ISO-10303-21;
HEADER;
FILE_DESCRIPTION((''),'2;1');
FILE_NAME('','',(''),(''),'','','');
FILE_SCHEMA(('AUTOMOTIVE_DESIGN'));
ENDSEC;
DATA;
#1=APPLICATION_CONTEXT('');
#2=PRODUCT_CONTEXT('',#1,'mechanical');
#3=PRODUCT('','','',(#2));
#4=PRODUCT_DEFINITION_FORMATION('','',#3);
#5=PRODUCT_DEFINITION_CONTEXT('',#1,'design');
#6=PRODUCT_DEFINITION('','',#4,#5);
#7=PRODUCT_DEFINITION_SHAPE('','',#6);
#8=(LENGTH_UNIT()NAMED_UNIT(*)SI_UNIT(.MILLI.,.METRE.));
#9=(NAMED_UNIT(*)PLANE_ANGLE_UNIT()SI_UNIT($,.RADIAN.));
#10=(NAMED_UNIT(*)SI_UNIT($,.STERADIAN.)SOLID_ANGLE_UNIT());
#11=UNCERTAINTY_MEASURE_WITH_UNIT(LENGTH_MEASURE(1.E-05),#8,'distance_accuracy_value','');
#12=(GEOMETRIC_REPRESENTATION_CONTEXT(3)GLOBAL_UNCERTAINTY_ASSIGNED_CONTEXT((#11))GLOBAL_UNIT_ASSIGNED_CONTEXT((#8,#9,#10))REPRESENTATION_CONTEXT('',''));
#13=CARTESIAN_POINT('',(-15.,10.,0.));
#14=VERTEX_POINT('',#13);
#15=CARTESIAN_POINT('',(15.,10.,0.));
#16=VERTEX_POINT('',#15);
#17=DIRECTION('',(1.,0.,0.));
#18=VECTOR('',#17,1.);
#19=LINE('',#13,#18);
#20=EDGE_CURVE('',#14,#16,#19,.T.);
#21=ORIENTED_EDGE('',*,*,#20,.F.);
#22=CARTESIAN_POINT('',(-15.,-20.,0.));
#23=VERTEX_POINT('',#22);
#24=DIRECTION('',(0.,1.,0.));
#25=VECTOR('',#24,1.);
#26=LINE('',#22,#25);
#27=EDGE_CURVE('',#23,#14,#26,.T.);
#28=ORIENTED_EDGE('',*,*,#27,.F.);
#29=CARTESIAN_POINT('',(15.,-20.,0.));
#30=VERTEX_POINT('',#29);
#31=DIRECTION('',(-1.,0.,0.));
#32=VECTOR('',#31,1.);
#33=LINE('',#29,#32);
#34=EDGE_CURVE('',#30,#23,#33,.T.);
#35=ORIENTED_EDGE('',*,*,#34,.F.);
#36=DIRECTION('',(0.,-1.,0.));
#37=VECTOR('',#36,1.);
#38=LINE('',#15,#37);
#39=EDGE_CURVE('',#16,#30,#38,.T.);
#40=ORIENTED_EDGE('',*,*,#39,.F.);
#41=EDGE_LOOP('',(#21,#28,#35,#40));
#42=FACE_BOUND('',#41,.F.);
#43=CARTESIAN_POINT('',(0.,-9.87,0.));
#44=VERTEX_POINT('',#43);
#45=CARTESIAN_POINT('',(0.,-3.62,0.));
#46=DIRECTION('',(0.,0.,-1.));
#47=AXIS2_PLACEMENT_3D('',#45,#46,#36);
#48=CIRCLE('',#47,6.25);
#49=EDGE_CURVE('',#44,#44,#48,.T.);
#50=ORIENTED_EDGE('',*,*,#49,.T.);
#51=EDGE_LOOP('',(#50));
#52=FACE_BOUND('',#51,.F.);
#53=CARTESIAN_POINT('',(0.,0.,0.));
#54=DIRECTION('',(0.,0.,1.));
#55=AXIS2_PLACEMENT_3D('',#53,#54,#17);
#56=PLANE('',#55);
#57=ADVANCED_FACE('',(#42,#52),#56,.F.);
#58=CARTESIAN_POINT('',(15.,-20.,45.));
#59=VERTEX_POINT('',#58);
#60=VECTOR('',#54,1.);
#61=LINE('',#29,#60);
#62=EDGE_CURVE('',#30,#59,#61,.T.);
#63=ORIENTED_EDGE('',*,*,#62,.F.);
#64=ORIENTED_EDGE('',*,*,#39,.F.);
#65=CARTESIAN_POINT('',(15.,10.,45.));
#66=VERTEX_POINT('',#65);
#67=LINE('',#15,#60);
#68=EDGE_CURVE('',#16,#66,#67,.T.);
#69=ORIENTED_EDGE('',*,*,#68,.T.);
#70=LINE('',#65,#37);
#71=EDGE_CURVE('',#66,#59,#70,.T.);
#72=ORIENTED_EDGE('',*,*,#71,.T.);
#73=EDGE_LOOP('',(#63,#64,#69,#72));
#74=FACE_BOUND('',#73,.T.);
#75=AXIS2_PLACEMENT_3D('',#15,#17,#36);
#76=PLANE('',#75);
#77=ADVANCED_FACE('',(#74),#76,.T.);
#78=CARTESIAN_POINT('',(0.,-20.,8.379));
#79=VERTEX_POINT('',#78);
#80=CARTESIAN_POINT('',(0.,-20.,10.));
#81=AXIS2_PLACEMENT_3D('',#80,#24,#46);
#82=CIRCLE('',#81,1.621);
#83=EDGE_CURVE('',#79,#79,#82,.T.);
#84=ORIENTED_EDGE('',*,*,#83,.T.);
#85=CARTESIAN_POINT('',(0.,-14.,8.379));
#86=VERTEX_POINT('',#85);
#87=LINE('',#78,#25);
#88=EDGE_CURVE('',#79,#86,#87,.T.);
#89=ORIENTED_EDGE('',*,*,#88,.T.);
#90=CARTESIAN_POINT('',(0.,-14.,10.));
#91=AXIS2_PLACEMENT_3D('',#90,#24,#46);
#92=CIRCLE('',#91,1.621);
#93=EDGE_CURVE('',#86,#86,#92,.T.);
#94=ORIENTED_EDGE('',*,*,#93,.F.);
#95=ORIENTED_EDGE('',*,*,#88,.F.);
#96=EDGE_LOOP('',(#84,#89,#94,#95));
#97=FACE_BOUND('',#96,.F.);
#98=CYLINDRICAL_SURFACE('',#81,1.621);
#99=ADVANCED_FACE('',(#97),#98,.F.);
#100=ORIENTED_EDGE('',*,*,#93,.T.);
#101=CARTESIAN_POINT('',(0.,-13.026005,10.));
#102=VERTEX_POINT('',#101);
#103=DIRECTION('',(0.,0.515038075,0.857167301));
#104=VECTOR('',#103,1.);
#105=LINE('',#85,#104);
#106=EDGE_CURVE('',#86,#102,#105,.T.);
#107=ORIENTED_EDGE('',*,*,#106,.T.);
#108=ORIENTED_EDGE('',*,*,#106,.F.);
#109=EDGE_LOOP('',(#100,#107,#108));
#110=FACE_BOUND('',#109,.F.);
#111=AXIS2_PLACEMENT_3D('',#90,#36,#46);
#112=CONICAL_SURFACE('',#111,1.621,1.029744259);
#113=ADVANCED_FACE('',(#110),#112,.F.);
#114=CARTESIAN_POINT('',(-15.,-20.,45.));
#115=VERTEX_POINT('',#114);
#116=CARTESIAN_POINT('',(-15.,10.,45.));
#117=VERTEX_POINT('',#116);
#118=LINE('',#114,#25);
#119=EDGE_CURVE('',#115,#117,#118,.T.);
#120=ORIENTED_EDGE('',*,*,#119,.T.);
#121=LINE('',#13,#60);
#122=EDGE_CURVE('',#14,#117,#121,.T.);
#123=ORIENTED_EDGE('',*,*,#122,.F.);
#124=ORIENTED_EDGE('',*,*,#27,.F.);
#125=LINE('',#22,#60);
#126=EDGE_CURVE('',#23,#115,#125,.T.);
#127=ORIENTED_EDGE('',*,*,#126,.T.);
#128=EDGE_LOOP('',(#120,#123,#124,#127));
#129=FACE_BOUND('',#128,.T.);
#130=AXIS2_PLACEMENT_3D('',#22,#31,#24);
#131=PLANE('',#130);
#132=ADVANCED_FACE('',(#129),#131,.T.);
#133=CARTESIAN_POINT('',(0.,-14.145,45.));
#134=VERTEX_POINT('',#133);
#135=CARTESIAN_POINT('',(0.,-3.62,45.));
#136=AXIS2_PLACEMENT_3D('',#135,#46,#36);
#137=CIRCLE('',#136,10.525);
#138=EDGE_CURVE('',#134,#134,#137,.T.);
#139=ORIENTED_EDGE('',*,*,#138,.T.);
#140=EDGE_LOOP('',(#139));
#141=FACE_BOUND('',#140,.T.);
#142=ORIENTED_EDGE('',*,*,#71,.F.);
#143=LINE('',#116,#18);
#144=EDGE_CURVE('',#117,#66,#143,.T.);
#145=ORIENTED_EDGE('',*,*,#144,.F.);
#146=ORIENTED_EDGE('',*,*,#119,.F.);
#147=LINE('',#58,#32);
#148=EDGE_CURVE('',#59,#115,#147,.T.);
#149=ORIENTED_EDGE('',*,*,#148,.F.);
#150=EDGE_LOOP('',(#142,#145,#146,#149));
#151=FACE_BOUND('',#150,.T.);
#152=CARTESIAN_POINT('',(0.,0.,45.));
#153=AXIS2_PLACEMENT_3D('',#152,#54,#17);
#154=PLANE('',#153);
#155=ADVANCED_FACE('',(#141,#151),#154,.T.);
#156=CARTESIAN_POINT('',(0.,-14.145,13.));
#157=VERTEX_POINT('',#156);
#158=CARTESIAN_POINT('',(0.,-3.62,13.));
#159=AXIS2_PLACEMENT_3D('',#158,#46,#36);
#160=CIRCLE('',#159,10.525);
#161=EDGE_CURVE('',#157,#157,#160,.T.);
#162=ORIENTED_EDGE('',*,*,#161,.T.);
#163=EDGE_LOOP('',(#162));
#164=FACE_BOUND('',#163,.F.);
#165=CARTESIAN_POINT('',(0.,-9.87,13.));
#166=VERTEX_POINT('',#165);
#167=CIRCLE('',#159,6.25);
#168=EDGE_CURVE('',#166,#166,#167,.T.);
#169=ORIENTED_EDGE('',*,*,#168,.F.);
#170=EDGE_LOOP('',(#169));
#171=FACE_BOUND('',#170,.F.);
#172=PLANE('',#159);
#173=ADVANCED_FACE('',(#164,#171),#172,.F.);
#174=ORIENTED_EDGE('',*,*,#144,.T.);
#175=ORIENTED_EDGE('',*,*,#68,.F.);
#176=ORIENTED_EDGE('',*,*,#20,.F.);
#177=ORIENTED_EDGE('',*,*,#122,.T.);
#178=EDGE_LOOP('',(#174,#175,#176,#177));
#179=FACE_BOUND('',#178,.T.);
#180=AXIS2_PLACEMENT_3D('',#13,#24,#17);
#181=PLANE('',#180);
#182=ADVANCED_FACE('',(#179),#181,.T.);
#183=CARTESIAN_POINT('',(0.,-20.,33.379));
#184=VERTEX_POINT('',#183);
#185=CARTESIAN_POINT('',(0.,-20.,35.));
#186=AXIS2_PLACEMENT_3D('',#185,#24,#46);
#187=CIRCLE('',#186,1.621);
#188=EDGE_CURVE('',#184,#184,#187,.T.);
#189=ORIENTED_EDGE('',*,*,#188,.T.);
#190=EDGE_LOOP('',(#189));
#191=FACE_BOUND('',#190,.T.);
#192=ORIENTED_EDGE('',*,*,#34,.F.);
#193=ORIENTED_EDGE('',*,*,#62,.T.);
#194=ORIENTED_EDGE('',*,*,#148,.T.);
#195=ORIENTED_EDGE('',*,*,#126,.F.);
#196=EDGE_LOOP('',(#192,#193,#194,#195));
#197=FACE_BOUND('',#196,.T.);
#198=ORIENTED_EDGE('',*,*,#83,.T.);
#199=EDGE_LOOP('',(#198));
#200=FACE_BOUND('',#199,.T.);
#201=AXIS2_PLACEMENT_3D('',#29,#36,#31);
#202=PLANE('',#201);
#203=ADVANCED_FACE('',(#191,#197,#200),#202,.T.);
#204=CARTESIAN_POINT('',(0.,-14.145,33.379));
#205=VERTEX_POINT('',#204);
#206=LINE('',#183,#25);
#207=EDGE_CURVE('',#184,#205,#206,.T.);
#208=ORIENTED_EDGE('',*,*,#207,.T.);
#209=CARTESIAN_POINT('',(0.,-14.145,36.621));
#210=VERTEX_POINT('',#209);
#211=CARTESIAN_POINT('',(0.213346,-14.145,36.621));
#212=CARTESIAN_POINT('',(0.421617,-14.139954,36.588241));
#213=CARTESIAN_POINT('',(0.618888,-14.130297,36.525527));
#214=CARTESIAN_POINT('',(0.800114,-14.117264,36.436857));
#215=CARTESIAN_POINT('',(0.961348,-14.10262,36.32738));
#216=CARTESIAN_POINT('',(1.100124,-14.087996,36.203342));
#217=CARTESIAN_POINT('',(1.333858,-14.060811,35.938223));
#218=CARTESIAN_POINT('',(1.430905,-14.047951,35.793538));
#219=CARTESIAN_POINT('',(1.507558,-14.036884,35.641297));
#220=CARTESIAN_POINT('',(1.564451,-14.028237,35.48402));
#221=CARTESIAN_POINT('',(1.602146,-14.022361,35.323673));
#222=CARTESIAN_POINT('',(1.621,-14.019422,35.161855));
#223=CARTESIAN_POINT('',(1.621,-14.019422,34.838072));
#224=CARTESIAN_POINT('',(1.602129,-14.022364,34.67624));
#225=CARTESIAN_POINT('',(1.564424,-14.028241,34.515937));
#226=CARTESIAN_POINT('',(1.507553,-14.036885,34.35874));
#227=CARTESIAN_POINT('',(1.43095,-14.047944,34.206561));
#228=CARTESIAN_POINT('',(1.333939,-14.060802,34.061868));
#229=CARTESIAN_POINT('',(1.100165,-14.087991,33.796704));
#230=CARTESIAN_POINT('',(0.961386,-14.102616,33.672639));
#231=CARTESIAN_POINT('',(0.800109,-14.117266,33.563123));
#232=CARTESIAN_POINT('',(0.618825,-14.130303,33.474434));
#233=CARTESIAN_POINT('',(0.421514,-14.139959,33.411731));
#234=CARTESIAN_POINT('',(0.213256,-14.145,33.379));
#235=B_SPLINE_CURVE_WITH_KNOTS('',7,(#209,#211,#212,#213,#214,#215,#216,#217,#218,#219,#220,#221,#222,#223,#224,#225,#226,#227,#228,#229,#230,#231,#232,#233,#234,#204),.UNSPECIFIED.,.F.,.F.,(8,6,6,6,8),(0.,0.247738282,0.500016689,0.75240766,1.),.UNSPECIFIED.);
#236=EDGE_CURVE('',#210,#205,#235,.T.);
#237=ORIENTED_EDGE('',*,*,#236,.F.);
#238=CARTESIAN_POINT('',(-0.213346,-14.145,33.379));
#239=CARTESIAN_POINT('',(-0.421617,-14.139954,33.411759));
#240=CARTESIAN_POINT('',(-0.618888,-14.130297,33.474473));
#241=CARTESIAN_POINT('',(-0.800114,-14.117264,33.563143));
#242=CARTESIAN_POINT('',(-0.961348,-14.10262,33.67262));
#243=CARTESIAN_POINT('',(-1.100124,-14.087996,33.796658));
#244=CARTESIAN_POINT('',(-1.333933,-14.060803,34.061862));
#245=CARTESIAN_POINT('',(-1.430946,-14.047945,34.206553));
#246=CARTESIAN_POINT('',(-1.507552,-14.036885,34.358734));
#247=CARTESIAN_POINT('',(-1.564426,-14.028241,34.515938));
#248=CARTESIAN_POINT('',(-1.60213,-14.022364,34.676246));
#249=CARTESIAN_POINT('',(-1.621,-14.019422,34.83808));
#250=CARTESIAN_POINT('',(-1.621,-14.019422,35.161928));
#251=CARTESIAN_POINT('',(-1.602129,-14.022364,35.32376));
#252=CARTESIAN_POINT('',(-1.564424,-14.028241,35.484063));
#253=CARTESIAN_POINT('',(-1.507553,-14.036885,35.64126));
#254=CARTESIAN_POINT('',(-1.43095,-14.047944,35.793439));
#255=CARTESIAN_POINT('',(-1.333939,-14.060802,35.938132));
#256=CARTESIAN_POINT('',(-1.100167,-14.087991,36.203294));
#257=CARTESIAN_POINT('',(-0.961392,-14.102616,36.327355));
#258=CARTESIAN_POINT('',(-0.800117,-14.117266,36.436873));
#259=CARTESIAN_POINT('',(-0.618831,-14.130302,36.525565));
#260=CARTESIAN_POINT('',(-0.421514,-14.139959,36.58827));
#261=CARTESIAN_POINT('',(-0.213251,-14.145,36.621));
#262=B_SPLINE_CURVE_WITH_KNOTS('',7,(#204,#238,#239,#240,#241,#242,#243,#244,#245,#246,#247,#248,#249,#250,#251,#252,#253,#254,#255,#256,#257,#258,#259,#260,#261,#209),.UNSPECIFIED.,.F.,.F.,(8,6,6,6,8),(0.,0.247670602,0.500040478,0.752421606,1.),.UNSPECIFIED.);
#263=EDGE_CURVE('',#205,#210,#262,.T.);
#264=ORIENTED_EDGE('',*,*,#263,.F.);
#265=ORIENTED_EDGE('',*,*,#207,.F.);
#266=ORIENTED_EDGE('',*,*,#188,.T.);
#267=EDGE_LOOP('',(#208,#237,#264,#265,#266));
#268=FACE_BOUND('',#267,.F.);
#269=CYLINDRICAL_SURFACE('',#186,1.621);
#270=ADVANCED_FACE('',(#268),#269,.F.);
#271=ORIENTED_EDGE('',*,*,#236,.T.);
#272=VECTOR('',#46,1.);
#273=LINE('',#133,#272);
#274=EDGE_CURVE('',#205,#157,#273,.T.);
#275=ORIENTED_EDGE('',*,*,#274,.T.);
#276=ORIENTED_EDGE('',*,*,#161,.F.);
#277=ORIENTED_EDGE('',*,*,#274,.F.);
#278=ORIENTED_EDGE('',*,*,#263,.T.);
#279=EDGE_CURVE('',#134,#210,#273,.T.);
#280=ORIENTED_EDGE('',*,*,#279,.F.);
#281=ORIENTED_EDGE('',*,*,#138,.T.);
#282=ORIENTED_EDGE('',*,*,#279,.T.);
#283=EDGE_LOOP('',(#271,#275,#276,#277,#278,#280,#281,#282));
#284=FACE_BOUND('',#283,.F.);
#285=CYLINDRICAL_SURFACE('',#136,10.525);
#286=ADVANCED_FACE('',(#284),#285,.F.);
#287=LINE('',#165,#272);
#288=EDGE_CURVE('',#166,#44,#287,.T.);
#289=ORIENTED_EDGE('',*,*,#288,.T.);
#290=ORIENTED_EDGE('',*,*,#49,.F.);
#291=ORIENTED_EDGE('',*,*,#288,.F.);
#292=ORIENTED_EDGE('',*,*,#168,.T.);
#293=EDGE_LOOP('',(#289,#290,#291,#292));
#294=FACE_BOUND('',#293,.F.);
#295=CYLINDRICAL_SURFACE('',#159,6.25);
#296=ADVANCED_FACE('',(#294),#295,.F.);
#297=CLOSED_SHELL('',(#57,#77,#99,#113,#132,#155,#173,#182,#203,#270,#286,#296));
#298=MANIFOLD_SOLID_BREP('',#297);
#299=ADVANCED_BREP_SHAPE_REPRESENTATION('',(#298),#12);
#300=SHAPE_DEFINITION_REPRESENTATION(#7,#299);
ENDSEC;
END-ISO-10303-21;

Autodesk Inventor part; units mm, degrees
ref_plane "YZ Plane" through (0, 0, 0) normal (1, 0, 0) x (0, 1, 0)
ref_plane "XZ Plane" through (0, 0, 0) normal (0, 1, 0) x (-1, 0, 0)
ref_plane "XY Plane" through (0, 0, 0) normal (0, 0, 1) x (1, 0, 0)
sketch "Esboço2" plane through (0, 0, 0) normal (0, 0, 1) x (1, 0, 0)
  line L0 (-15, 10) -> (15, 10)
  line L1 (15, 10) -> (15, -20)
  line L2 (15, -20) -> (-15, -20)
  line L3 (-15, -20) -> (-15, 10)
  line L4 (-15, 10) -> (15, -20) construction
  line L5 (15, 10) -> (-15, -20) construction
  point P0 (0, -5)
  dimension "d10" = 30
  dimension "d11" = 30
extrude "Extrusão1" add sketch "Esboço2" along normal blind 45
sketch "Esboço3" plane through (0, 0, 45) normal (0, 0, 1) x (1, 0, 0)
  line L0 (15, 10) -> (-15, 10) projected
  line L1 (0, 10) -> (0, -3.62)
  circle A0 centre (0, -3.62) radius 10.5
  point P0 (0, 0)
  dimension "d14" = 13.62
  dimension "d15" = 21
hole "Furo1" at (0, -3.62, 45) direction (0, 0, -1) diameter 12.5 end through all counterbore diameter 21.05 counterbore depth 32
sketch "Esboço4" plane through (-15, -20, 0) normal (0, -1, 0) x (1, 0, 0)
  line L0 (15, 0) -> (15, 45)
  line L1 (30, 45) -> (0, 45) projected
  circle A0 centre (15, 10) radius 1.6056 construction
  circle A1 centre (15, 35) radius 1.4692 construction
  line L2 (0, 0) -> (0, 45) construction
  line L3 (0, 22.5) -> (30, 22.5) construction
  line L4 (30, 0) -> (30, 45) construction
  dimension "d23" = 12.5
  dimension "d24" = 12.5
hole "Furo2" at (0, -20, 10) at (0, -20, 35) direction (0, 1, 0) diameter 3.242 depth 6 tip angle 118 thread size "M4x0.7" class "6H" standard "ANSI Metric M Profile"
properties part number "blocoSuporteRolamentosTeste"
